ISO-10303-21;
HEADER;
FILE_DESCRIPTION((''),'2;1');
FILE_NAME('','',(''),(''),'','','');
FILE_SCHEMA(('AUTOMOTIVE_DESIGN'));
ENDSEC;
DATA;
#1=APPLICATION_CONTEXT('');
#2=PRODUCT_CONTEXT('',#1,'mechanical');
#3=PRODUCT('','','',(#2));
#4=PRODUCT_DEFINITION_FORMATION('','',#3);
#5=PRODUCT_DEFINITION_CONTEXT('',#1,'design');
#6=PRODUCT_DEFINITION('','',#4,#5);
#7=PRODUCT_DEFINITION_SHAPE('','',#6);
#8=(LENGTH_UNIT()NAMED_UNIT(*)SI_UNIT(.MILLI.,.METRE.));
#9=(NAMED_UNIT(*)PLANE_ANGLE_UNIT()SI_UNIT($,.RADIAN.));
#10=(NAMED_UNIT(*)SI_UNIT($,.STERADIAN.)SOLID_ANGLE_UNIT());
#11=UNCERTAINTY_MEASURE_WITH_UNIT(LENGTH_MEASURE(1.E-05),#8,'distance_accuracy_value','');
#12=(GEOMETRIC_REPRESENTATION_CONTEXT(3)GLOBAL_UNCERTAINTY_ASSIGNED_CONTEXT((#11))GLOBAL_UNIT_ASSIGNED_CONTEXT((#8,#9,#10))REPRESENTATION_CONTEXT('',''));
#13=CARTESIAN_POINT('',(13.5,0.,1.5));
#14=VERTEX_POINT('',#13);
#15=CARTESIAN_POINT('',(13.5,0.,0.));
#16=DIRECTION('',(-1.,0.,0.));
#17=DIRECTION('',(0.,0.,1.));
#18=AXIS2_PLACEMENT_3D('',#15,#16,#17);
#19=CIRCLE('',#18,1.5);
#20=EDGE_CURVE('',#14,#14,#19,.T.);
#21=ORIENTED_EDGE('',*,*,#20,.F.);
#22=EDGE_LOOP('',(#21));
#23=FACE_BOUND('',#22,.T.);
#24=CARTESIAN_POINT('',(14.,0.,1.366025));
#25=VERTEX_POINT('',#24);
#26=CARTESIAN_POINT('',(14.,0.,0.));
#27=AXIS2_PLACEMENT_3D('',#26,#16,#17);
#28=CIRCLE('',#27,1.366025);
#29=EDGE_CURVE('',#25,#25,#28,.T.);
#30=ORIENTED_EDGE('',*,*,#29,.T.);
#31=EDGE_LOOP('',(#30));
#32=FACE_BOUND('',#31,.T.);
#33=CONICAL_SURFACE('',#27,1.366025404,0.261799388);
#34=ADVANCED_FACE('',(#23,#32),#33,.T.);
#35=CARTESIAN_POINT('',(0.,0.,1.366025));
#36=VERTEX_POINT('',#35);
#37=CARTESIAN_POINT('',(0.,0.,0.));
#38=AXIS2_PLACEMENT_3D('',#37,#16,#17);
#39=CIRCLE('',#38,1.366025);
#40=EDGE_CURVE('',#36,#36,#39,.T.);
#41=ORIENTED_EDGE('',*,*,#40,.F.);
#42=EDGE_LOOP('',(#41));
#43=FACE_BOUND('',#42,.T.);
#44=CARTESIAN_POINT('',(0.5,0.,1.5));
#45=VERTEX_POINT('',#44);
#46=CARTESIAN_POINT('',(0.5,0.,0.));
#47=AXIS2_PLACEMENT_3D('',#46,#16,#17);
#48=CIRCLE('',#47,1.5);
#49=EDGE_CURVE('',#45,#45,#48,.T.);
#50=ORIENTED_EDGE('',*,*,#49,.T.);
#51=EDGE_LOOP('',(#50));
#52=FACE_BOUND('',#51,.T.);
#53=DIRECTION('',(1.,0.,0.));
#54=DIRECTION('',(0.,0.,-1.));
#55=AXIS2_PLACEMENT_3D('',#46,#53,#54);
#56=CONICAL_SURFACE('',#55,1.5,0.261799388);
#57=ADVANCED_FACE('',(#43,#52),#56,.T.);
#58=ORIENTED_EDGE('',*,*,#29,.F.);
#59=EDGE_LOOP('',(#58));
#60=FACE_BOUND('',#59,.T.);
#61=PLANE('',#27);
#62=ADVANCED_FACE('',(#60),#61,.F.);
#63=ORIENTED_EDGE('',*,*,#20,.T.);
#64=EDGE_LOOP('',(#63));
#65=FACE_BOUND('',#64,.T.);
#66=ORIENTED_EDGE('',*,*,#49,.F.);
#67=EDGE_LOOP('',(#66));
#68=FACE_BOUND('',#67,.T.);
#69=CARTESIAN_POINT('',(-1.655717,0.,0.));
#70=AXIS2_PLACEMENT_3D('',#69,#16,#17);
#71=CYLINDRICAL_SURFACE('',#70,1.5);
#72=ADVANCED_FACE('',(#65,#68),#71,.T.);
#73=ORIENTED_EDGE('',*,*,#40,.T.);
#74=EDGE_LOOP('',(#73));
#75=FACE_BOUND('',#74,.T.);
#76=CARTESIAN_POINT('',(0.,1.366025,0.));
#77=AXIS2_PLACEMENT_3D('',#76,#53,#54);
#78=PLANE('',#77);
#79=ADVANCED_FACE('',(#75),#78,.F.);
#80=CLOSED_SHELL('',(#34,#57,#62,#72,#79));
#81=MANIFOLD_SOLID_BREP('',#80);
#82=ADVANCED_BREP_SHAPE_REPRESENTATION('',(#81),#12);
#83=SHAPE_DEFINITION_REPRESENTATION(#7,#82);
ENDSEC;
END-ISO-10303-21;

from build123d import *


with BuildPart() as part:
    # Sketch1 → Base-Revolve (revolve)
    with BuildSketch(Plane.XY, mode=Mode.PRIVATE) as base_revolve_sk:
        Polygon((0, 0), (14, 0), (14, 1.366025404), (13.5, 1.5), (0.5, 1.5), (0, 1.366025404), align=None)
    revolve(base_revolve_sk.sketch.rotate(Axis((-1.655717266, 0, 0), (1, 0, 0)), 90), axis=Axis((-1.655717266, 0, 0), (1, 0, 0)))


solid = part.part
